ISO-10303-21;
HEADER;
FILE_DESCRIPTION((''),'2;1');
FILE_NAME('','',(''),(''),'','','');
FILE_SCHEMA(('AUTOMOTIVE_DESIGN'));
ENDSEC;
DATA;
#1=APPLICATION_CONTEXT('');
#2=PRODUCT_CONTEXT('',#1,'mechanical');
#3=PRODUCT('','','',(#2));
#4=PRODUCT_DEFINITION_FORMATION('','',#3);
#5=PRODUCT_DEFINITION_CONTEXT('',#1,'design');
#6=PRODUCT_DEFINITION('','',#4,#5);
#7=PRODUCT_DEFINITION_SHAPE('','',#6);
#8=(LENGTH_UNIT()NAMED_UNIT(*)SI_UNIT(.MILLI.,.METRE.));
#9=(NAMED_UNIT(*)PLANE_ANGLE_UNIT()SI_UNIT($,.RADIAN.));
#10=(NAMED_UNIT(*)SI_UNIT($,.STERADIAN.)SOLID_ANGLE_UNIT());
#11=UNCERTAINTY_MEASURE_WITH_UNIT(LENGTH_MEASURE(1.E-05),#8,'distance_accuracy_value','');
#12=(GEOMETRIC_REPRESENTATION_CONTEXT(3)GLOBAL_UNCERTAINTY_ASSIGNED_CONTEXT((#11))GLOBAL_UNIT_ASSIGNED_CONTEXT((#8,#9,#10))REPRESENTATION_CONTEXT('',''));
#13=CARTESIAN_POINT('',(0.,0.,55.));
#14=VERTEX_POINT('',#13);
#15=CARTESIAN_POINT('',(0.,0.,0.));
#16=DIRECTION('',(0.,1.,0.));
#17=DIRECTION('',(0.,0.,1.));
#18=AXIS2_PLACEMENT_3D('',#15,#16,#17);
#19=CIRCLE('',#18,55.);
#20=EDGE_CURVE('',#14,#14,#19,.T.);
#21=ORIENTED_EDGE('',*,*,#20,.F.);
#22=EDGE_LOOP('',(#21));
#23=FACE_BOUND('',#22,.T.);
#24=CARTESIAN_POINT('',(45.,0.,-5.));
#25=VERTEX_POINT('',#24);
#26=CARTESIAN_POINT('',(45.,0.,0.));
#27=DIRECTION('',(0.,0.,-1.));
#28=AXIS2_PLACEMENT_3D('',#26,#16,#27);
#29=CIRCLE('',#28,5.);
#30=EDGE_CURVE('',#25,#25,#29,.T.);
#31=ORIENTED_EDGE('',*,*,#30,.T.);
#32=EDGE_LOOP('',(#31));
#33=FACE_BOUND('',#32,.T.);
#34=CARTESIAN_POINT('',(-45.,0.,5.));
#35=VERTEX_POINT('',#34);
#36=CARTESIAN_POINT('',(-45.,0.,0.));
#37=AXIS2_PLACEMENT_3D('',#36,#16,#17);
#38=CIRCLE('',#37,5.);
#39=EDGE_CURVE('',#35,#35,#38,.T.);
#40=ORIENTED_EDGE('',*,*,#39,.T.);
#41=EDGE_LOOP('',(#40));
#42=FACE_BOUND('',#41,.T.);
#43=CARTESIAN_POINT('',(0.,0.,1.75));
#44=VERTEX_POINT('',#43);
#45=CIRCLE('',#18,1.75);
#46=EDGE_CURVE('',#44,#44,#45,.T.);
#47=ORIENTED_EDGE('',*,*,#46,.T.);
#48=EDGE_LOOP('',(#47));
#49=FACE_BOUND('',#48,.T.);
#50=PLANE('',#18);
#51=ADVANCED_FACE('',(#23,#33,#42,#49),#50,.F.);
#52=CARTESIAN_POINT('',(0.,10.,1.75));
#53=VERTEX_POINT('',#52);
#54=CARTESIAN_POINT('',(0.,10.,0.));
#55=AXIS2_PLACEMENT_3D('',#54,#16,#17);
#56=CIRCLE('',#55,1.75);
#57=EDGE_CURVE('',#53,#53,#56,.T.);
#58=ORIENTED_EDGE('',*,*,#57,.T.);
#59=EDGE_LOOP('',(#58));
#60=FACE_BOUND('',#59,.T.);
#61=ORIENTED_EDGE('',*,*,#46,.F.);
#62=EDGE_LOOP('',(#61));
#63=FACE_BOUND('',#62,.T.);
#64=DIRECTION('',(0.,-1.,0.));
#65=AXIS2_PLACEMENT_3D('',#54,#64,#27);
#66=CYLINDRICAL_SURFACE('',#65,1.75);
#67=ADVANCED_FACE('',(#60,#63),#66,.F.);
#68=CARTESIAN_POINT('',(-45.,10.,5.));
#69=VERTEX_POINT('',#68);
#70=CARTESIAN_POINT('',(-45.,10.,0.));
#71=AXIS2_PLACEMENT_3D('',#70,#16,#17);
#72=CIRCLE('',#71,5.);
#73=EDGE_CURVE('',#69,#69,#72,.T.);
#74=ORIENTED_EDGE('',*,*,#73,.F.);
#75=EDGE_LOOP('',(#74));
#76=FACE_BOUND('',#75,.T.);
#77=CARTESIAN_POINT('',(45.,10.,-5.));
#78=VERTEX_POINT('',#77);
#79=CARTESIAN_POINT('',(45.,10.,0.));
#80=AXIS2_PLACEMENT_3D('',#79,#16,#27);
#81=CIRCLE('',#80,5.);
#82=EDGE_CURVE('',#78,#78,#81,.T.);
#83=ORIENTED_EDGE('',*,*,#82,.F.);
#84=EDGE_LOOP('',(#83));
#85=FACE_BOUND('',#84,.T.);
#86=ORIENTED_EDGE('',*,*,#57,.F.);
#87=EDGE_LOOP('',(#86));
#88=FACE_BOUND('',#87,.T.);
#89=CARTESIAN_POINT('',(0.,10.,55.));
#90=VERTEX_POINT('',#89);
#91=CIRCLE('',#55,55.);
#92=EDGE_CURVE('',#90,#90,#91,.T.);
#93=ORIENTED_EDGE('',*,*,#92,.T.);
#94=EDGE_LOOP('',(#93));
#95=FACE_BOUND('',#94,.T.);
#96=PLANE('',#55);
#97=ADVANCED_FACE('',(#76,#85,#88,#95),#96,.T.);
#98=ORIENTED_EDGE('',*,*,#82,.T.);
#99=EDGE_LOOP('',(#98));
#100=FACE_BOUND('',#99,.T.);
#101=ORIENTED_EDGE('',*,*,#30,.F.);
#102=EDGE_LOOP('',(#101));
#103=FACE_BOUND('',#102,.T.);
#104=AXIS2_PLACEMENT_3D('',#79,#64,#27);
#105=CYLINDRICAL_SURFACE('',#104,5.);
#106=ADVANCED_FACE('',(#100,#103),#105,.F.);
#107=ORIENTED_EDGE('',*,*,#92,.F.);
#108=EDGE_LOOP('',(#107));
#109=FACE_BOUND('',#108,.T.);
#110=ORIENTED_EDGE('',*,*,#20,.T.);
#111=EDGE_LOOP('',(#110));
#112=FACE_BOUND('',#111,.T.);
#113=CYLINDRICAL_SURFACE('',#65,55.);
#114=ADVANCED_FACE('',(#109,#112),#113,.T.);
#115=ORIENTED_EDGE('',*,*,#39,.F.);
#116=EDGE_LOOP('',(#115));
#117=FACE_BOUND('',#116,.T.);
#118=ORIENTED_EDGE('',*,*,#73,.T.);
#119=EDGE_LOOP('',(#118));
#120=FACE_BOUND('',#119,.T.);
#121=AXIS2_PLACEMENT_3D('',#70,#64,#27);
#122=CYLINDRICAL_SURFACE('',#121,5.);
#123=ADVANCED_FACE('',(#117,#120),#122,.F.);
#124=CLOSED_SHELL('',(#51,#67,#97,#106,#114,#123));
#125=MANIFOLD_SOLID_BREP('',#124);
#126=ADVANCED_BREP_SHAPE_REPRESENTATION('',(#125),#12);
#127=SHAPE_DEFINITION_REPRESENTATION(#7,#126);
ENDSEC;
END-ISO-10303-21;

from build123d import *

# Parameters (mm, degrees)
SKETCH1_R           = 55
SKETCH1_R_2         = 1.75
SKETCH1_R_3         = 5
BOSS_EXTRUDE1_DEPTH = 10


with BuildPart() as part:
    # Sketch1 → Boss-Extrude1 (new body)
    with BuildSketch(Plane(origin=(0, 0, 0), x_dir=(1, 0, 0), z_dir=(0, 1, 0))):
        with Locations(Location((0, 0, 0), (0, 0, 270))):
            Circle(SKETCH1_R)
        with Locations(Location((0, 0, 0), (0, 0, 270))):
            Circle(SKETCH1_R_2, mode=Mode.SUBTRACT)
        with Locations(Location((-45, 0, 0), (0, 0, 270))):
            Circle(SKETCH1_R_3, mode=Mode.SUBTRACT)
        with Locations(Location((45, 0, 0), (0, 0, 90))):
            Circle(SKETCH1_R_3, mode=Mode.SUBTRACT)
    extrude(amount=BOSS_EXTRUDE1_DEPTH)


solid = part.part
